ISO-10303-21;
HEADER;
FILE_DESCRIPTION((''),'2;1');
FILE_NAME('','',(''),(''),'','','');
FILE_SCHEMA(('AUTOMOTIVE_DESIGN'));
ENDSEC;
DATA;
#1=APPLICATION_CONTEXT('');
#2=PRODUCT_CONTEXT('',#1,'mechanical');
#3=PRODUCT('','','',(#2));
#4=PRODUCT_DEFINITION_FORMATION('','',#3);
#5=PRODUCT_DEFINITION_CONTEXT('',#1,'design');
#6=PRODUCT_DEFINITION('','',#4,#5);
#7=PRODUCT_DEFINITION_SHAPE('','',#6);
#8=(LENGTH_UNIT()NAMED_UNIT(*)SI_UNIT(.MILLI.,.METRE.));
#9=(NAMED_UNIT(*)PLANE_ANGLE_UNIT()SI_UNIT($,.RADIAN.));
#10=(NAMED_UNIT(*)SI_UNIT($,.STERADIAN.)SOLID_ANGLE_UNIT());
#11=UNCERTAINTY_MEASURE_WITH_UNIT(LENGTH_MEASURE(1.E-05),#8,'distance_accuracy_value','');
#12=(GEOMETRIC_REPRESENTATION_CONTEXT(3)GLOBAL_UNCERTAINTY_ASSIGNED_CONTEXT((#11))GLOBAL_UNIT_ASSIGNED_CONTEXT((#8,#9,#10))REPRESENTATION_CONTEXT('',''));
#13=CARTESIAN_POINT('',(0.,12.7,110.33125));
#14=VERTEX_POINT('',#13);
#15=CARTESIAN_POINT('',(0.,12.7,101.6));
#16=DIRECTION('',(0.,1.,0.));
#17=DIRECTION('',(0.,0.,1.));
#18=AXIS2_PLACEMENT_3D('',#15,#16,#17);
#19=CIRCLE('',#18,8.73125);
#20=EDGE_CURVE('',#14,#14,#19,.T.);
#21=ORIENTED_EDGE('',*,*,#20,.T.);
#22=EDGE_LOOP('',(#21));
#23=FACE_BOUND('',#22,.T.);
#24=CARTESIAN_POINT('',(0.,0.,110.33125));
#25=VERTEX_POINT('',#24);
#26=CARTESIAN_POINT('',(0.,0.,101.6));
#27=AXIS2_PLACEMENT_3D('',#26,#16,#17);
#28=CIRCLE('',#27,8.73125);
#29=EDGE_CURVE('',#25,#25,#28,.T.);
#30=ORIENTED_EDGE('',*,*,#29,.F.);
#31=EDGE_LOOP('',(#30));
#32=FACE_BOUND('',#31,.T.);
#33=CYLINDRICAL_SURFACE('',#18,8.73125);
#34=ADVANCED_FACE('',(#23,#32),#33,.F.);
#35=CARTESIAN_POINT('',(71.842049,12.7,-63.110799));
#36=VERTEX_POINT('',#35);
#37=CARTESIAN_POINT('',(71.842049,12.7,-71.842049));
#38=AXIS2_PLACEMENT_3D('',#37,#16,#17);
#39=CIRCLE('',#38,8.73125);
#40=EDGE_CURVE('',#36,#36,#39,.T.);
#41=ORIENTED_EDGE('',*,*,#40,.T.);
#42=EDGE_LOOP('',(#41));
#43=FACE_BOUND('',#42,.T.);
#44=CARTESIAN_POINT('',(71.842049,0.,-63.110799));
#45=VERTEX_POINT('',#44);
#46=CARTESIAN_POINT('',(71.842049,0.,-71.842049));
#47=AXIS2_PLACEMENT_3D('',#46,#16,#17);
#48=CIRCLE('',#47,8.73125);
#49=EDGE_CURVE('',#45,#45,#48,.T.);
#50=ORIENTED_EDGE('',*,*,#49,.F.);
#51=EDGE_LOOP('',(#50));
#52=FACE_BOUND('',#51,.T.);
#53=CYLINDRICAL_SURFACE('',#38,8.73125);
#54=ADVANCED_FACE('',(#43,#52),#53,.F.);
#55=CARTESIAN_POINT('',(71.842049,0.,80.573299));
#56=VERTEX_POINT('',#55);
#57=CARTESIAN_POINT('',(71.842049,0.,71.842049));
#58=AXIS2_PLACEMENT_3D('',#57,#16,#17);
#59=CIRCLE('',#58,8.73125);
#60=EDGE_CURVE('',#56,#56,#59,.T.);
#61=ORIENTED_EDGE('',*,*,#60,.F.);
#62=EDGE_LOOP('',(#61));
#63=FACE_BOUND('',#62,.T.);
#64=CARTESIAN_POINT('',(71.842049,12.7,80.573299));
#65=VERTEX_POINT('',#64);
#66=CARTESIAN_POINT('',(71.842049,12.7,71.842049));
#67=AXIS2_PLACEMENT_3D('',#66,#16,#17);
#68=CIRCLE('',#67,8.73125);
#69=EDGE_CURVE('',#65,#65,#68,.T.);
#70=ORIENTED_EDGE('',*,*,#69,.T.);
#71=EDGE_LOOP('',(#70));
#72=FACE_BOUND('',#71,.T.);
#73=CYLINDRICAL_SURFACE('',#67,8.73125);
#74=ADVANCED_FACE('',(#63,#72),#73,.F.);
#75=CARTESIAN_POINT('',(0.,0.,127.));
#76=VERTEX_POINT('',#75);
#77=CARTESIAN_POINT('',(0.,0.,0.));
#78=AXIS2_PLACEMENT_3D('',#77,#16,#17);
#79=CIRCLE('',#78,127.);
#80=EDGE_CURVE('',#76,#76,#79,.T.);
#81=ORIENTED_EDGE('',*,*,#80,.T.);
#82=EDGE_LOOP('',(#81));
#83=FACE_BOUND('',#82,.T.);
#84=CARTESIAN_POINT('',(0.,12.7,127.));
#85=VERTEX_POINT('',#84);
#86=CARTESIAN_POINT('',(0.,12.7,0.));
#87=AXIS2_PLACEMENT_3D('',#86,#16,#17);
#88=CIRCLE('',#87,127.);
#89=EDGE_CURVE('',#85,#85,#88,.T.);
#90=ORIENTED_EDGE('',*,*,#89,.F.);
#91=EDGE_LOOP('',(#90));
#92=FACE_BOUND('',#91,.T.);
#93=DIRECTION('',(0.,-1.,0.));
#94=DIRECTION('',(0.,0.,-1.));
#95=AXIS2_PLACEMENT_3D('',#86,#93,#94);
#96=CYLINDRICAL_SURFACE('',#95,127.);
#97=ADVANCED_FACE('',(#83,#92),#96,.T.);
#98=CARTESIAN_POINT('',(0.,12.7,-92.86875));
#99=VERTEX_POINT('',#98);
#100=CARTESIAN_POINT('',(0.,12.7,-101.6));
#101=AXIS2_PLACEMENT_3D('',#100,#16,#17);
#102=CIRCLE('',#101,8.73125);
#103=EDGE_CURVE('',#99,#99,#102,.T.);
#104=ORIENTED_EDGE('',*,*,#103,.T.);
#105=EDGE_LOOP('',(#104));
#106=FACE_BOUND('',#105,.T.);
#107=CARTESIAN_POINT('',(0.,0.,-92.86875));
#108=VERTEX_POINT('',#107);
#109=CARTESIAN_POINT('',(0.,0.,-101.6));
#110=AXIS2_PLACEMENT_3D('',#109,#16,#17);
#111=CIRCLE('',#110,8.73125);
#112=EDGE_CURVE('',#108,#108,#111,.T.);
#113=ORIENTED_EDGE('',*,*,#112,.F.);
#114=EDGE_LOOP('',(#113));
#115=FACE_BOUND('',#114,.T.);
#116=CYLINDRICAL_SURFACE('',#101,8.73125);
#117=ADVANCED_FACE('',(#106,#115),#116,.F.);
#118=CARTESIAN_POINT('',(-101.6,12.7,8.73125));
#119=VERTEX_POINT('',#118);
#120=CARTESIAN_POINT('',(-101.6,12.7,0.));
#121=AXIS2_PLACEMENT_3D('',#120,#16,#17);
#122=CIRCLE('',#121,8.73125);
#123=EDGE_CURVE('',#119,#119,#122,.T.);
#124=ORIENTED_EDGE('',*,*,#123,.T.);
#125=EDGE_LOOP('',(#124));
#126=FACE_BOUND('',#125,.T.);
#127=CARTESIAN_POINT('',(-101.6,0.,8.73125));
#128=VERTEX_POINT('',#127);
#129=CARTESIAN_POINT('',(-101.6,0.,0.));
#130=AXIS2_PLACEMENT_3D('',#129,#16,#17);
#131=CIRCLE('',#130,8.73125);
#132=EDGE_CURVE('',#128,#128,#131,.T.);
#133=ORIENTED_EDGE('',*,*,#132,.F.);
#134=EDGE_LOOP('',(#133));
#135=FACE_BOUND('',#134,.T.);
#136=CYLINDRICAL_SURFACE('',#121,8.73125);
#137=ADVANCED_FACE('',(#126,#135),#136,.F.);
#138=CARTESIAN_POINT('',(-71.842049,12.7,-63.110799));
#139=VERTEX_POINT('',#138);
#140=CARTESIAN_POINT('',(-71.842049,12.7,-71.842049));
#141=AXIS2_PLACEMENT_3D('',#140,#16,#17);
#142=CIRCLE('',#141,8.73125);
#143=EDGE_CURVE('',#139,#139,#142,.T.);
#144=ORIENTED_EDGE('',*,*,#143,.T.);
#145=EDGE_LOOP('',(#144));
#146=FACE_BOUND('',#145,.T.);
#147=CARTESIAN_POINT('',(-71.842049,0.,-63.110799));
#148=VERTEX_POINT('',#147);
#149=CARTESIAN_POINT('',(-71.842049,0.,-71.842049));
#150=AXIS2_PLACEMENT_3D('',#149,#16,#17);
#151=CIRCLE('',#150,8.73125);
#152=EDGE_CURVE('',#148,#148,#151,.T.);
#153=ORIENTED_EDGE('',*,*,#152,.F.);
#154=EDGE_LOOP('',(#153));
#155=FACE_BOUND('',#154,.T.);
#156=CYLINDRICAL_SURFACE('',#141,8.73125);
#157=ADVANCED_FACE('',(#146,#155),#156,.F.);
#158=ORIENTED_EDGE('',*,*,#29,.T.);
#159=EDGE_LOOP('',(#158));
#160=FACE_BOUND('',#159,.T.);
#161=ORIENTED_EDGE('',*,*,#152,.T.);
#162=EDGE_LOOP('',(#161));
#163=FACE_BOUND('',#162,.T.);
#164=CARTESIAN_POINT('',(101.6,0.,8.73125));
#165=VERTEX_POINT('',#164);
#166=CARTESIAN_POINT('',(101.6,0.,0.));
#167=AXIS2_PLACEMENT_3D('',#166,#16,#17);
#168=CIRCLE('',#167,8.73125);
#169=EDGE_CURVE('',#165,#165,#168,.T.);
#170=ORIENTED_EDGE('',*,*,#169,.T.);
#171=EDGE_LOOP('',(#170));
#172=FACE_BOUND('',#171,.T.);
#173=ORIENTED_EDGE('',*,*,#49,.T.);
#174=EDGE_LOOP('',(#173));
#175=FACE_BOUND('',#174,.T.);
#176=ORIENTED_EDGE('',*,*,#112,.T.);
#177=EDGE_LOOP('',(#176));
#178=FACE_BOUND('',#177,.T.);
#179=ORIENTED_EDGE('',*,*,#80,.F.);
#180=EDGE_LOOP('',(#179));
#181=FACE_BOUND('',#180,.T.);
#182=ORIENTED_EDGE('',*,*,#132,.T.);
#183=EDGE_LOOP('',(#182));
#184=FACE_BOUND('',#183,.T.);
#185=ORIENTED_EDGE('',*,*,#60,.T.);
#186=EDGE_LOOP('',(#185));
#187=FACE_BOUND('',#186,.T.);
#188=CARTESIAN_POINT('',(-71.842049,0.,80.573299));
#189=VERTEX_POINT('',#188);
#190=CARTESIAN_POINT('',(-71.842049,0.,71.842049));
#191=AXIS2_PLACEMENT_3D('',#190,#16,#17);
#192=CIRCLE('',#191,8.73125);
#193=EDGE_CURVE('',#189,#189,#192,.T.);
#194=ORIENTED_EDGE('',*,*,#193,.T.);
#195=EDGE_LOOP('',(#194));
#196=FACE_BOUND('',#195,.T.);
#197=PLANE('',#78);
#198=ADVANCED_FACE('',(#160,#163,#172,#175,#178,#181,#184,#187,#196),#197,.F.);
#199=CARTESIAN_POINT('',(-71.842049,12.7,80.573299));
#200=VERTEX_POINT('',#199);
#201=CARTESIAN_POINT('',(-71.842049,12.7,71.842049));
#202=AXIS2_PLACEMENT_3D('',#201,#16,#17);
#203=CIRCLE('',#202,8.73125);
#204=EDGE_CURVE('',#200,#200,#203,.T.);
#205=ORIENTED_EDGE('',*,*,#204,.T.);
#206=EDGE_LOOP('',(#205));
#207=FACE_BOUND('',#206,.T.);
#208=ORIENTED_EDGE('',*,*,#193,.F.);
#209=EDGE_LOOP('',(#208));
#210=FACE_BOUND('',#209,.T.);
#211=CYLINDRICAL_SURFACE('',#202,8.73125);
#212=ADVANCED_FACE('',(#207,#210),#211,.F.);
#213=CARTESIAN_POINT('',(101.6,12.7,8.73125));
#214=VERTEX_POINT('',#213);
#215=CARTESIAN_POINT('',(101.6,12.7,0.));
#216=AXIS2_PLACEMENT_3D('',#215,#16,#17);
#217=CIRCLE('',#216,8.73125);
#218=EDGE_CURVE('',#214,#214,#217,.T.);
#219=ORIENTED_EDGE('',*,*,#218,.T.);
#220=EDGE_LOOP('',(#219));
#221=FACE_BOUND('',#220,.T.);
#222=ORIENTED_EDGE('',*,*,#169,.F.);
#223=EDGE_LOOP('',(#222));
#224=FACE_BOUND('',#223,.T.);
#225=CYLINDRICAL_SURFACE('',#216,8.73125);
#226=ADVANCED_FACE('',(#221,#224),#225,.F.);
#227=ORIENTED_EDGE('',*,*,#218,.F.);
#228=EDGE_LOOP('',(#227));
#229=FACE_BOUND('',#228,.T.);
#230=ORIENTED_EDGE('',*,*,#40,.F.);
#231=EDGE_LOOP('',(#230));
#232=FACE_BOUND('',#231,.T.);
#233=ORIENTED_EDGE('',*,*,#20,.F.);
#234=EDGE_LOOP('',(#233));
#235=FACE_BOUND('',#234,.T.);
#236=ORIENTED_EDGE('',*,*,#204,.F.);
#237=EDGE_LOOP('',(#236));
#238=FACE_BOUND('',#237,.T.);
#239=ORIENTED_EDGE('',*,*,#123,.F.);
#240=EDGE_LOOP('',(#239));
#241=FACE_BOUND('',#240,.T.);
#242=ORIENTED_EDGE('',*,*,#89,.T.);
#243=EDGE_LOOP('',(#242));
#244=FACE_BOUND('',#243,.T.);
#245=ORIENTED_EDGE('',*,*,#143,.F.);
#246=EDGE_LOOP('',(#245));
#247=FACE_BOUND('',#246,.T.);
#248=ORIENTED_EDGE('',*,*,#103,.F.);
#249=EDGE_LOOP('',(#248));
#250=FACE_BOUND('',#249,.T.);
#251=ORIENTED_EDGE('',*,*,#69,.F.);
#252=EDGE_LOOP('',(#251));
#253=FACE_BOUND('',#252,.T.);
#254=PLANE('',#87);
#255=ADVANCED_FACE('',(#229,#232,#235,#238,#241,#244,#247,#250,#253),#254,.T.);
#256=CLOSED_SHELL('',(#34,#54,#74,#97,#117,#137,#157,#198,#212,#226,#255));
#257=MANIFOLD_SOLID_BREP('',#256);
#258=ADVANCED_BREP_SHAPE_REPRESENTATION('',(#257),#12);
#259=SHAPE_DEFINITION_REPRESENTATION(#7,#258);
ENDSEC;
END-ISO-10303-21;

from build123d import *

# Parameters (mm, degrees)
SKETCH2_R                       = 127
EXTRUDE1_DEPTH                  = 12.7
F_11_16_0_6875_DIAMETER_HOLE1_D = 17.4625
CIRPATTERN1_COUNT               = 8


with BuildPart() as part:
    # Sketch2 → Extrude1 (new body)
    with BuildSketch(Plane(origin=(0, 0, 0), x_dir=(1, 0, 0), z_dir=(0, 1, 0))):
        Circle(SKETCH2_R)
    extrude(amount=EXTRUDE1_DEPTH)

    # 11/16 (0.6875) Diameter Hole1 (through all)
    with Locations(Plane(origin=(0, 12.7, 0), x_dir=(-1, 0, 0), z_dir=(0, 1, 0))):
        with Locations((-101.6, 0)):
            f_11_16_0_6875_diameter_hole1 = Hole(F_11_16_0_6875_DIAMETER_HOLE1_D / 2)

    # CirPattern1: 11/16 (0.6875) Diameter Hole1 ×8 about axis
    cirpattern1_axis = Axis((0, 12.7, 0), (0, -1, 0))
    for i in range(1, CIRPATTERN1_COUNT):
        add(f_11_16_0_6875_diameter_hole1.rotate(cirpattern1_axis, i * 360 / CIRPATTERN1_COUNT), mode=Mode.SUBTRACT)


solid = part.part
